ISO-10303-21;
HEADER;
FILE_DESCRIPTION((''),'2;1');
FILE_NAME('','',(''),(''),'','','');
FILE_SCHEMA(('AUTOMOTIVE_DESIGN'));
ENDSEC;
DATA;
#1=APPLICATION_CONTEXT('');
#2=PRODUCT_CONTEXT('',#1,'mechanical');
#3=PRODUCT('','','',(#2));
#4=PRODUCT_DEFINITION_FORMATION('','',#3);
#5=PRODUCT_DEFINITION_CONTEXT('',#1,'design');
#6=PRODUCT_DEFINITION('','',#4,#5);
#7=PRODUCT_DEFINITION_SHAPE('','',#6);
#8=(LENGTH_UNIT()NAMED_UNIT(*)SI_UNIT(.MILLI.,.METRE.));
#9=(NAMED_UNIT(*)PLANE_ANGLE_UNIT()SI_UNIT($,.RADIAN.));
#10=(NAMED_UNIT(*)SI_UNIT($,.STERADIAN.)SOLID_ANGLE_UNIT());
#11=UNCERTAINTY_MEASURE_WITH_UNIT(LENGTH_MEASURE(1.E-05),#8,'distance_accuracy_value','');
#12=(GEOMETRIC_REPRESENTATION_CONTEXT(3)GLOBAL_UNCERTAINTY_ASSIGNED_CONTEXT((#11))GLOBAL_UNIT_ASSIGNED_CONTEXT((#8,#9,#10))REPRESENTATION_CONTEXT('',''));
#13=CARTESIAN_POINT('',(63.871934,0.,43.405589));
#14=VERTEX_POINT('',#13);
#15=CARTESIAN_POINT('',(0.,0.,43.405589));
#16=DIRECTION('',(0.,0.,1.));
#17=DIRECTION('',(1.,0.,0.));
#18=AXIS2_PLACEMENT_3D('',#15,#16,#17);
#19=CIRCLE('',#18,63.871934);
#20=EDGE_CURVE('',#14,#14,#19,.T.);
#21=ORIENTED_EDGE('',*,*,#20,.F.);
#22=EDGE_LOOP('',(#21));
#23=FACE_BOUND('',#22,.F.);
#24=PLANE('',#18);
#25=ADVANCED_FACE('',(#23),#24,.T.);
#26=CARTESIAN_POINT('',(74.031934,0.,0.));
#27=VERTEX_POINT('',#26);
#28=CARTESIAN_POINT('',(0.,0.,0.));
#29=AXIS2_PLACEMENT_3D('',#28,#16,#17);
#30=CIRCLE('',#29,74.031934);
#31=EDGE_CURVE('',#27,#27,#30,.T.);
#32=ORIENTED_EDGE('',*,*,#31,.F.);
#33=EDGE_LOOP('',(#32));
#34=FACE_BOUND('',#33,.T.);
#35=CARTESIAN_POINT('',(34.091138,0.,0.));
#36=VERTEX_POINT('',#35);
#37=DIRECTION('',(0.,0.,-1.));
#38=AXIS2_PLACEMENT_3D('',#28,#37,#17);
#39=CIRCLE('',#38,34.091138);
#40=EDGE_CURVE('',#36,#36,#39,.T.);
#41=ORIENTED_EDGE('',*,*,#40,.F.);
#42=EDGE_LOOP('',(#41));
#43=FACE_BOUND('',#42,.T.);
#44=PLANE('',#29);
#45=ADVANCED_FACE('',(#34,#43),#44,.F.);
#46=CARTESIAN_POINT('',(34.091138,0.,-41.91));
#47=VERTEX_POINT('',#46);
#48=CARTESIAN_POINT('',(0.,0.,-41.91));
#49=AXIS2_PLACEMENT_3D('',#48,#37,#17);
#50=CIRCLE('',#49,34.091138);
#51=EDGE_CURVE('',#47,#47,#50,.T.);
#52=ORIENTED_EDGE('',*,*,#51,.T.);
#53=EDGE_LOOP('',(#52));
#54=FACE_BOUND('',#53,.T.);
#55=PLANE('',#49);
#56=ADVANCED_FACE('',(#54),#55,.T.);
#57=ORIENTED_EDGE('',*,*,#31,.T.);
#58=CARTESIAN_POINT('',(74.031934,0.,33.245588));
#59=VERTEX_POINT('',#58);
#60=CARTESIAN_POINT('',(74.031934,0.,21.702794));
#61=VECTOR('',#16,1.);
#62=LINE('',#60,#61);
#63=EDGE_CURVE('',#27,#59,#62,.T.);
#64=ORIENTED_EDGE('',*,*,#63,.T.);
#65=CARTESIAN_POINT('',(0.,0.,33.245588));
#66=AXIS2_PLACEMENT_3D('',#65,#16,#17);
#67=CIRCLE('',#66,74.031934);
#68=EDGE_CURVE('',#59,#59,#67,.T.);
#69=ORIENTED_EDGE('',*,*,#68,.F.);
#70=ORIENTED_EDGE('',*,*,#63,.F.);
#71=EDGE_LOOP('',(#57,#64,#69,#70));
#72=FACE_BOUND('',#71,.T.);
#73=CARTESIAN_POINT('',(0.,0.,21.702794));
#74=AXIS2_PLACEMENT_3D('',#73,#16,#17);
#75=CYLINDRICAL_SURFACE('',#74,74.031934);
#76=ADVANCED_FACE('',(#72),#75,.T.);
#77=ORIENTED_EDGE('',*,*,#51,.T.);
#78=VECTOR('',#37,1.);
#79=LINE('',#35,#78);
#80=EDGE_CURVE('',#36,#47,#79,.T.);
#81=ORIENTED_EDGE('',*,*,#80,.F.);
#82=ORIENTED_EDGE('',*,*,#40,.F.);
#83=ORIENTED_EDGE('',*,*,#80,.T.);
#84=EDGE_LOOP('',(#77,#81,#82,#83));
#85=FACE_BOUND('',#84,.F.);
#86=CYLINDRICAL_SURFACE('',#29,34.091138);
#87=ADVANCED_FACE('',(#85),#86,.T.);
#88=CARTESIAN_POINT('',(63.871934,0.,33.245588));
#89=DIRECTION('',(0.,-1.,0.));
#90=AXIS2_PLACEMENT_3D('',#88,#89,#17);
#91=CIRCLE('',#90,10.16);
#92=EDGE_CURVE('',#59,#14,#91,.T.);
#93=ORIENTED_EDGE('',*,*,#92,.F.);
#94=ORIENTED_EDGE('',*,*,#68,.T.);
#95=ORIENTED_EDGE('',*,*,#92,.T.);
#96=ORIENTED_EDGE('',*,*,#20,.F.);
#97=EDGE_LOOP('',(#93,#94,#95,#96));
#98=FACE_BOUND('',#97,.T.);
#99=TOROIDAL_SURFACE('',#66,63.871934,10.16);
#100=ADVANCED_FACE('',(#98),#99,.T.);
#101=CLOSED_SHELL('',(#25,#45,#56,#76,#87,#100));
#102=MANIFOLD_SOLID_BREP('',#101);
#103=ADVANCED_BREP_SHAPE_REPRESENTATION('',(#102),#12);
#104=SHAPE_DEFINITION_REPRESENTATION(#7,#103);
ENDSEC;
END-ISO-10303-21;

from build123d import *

# Parameters (mm, degrees)
F0_W     = 74.031934
F0_H     = 43.405589
F2_R     = 34.091138
F3_DEPTH = 41.91
F4_R     = 10.16


with BuildPart() as f1:
    # F0 (on Front) → F1 (revolve)
    with BuildSketch(Plane.XZ):
        with Locations((37.015967, 21.702794)):
            Rectangle(F0_W, F0_H)
    revolve(axis=Axis((0, 0, 21.702794), (0, 0, 1)))

    # F2 (on face) → F3 (join)
    with BuildSketch(Plane(origin=(0, 0, 0), x_dir=(1, 0, 0), z_dir=(0, 0, -1))):
        Circle(F2_R)
    extrude(amount=F3_DEPTH)

    # F4
    f4_edges = [f1.edges().sort_by_distance(p)[0] for p in [
        (-74.031934, 0, 43.405589),
    ]]
    fillet(f4_edges, radius=F4_R)


solid = f1.part
